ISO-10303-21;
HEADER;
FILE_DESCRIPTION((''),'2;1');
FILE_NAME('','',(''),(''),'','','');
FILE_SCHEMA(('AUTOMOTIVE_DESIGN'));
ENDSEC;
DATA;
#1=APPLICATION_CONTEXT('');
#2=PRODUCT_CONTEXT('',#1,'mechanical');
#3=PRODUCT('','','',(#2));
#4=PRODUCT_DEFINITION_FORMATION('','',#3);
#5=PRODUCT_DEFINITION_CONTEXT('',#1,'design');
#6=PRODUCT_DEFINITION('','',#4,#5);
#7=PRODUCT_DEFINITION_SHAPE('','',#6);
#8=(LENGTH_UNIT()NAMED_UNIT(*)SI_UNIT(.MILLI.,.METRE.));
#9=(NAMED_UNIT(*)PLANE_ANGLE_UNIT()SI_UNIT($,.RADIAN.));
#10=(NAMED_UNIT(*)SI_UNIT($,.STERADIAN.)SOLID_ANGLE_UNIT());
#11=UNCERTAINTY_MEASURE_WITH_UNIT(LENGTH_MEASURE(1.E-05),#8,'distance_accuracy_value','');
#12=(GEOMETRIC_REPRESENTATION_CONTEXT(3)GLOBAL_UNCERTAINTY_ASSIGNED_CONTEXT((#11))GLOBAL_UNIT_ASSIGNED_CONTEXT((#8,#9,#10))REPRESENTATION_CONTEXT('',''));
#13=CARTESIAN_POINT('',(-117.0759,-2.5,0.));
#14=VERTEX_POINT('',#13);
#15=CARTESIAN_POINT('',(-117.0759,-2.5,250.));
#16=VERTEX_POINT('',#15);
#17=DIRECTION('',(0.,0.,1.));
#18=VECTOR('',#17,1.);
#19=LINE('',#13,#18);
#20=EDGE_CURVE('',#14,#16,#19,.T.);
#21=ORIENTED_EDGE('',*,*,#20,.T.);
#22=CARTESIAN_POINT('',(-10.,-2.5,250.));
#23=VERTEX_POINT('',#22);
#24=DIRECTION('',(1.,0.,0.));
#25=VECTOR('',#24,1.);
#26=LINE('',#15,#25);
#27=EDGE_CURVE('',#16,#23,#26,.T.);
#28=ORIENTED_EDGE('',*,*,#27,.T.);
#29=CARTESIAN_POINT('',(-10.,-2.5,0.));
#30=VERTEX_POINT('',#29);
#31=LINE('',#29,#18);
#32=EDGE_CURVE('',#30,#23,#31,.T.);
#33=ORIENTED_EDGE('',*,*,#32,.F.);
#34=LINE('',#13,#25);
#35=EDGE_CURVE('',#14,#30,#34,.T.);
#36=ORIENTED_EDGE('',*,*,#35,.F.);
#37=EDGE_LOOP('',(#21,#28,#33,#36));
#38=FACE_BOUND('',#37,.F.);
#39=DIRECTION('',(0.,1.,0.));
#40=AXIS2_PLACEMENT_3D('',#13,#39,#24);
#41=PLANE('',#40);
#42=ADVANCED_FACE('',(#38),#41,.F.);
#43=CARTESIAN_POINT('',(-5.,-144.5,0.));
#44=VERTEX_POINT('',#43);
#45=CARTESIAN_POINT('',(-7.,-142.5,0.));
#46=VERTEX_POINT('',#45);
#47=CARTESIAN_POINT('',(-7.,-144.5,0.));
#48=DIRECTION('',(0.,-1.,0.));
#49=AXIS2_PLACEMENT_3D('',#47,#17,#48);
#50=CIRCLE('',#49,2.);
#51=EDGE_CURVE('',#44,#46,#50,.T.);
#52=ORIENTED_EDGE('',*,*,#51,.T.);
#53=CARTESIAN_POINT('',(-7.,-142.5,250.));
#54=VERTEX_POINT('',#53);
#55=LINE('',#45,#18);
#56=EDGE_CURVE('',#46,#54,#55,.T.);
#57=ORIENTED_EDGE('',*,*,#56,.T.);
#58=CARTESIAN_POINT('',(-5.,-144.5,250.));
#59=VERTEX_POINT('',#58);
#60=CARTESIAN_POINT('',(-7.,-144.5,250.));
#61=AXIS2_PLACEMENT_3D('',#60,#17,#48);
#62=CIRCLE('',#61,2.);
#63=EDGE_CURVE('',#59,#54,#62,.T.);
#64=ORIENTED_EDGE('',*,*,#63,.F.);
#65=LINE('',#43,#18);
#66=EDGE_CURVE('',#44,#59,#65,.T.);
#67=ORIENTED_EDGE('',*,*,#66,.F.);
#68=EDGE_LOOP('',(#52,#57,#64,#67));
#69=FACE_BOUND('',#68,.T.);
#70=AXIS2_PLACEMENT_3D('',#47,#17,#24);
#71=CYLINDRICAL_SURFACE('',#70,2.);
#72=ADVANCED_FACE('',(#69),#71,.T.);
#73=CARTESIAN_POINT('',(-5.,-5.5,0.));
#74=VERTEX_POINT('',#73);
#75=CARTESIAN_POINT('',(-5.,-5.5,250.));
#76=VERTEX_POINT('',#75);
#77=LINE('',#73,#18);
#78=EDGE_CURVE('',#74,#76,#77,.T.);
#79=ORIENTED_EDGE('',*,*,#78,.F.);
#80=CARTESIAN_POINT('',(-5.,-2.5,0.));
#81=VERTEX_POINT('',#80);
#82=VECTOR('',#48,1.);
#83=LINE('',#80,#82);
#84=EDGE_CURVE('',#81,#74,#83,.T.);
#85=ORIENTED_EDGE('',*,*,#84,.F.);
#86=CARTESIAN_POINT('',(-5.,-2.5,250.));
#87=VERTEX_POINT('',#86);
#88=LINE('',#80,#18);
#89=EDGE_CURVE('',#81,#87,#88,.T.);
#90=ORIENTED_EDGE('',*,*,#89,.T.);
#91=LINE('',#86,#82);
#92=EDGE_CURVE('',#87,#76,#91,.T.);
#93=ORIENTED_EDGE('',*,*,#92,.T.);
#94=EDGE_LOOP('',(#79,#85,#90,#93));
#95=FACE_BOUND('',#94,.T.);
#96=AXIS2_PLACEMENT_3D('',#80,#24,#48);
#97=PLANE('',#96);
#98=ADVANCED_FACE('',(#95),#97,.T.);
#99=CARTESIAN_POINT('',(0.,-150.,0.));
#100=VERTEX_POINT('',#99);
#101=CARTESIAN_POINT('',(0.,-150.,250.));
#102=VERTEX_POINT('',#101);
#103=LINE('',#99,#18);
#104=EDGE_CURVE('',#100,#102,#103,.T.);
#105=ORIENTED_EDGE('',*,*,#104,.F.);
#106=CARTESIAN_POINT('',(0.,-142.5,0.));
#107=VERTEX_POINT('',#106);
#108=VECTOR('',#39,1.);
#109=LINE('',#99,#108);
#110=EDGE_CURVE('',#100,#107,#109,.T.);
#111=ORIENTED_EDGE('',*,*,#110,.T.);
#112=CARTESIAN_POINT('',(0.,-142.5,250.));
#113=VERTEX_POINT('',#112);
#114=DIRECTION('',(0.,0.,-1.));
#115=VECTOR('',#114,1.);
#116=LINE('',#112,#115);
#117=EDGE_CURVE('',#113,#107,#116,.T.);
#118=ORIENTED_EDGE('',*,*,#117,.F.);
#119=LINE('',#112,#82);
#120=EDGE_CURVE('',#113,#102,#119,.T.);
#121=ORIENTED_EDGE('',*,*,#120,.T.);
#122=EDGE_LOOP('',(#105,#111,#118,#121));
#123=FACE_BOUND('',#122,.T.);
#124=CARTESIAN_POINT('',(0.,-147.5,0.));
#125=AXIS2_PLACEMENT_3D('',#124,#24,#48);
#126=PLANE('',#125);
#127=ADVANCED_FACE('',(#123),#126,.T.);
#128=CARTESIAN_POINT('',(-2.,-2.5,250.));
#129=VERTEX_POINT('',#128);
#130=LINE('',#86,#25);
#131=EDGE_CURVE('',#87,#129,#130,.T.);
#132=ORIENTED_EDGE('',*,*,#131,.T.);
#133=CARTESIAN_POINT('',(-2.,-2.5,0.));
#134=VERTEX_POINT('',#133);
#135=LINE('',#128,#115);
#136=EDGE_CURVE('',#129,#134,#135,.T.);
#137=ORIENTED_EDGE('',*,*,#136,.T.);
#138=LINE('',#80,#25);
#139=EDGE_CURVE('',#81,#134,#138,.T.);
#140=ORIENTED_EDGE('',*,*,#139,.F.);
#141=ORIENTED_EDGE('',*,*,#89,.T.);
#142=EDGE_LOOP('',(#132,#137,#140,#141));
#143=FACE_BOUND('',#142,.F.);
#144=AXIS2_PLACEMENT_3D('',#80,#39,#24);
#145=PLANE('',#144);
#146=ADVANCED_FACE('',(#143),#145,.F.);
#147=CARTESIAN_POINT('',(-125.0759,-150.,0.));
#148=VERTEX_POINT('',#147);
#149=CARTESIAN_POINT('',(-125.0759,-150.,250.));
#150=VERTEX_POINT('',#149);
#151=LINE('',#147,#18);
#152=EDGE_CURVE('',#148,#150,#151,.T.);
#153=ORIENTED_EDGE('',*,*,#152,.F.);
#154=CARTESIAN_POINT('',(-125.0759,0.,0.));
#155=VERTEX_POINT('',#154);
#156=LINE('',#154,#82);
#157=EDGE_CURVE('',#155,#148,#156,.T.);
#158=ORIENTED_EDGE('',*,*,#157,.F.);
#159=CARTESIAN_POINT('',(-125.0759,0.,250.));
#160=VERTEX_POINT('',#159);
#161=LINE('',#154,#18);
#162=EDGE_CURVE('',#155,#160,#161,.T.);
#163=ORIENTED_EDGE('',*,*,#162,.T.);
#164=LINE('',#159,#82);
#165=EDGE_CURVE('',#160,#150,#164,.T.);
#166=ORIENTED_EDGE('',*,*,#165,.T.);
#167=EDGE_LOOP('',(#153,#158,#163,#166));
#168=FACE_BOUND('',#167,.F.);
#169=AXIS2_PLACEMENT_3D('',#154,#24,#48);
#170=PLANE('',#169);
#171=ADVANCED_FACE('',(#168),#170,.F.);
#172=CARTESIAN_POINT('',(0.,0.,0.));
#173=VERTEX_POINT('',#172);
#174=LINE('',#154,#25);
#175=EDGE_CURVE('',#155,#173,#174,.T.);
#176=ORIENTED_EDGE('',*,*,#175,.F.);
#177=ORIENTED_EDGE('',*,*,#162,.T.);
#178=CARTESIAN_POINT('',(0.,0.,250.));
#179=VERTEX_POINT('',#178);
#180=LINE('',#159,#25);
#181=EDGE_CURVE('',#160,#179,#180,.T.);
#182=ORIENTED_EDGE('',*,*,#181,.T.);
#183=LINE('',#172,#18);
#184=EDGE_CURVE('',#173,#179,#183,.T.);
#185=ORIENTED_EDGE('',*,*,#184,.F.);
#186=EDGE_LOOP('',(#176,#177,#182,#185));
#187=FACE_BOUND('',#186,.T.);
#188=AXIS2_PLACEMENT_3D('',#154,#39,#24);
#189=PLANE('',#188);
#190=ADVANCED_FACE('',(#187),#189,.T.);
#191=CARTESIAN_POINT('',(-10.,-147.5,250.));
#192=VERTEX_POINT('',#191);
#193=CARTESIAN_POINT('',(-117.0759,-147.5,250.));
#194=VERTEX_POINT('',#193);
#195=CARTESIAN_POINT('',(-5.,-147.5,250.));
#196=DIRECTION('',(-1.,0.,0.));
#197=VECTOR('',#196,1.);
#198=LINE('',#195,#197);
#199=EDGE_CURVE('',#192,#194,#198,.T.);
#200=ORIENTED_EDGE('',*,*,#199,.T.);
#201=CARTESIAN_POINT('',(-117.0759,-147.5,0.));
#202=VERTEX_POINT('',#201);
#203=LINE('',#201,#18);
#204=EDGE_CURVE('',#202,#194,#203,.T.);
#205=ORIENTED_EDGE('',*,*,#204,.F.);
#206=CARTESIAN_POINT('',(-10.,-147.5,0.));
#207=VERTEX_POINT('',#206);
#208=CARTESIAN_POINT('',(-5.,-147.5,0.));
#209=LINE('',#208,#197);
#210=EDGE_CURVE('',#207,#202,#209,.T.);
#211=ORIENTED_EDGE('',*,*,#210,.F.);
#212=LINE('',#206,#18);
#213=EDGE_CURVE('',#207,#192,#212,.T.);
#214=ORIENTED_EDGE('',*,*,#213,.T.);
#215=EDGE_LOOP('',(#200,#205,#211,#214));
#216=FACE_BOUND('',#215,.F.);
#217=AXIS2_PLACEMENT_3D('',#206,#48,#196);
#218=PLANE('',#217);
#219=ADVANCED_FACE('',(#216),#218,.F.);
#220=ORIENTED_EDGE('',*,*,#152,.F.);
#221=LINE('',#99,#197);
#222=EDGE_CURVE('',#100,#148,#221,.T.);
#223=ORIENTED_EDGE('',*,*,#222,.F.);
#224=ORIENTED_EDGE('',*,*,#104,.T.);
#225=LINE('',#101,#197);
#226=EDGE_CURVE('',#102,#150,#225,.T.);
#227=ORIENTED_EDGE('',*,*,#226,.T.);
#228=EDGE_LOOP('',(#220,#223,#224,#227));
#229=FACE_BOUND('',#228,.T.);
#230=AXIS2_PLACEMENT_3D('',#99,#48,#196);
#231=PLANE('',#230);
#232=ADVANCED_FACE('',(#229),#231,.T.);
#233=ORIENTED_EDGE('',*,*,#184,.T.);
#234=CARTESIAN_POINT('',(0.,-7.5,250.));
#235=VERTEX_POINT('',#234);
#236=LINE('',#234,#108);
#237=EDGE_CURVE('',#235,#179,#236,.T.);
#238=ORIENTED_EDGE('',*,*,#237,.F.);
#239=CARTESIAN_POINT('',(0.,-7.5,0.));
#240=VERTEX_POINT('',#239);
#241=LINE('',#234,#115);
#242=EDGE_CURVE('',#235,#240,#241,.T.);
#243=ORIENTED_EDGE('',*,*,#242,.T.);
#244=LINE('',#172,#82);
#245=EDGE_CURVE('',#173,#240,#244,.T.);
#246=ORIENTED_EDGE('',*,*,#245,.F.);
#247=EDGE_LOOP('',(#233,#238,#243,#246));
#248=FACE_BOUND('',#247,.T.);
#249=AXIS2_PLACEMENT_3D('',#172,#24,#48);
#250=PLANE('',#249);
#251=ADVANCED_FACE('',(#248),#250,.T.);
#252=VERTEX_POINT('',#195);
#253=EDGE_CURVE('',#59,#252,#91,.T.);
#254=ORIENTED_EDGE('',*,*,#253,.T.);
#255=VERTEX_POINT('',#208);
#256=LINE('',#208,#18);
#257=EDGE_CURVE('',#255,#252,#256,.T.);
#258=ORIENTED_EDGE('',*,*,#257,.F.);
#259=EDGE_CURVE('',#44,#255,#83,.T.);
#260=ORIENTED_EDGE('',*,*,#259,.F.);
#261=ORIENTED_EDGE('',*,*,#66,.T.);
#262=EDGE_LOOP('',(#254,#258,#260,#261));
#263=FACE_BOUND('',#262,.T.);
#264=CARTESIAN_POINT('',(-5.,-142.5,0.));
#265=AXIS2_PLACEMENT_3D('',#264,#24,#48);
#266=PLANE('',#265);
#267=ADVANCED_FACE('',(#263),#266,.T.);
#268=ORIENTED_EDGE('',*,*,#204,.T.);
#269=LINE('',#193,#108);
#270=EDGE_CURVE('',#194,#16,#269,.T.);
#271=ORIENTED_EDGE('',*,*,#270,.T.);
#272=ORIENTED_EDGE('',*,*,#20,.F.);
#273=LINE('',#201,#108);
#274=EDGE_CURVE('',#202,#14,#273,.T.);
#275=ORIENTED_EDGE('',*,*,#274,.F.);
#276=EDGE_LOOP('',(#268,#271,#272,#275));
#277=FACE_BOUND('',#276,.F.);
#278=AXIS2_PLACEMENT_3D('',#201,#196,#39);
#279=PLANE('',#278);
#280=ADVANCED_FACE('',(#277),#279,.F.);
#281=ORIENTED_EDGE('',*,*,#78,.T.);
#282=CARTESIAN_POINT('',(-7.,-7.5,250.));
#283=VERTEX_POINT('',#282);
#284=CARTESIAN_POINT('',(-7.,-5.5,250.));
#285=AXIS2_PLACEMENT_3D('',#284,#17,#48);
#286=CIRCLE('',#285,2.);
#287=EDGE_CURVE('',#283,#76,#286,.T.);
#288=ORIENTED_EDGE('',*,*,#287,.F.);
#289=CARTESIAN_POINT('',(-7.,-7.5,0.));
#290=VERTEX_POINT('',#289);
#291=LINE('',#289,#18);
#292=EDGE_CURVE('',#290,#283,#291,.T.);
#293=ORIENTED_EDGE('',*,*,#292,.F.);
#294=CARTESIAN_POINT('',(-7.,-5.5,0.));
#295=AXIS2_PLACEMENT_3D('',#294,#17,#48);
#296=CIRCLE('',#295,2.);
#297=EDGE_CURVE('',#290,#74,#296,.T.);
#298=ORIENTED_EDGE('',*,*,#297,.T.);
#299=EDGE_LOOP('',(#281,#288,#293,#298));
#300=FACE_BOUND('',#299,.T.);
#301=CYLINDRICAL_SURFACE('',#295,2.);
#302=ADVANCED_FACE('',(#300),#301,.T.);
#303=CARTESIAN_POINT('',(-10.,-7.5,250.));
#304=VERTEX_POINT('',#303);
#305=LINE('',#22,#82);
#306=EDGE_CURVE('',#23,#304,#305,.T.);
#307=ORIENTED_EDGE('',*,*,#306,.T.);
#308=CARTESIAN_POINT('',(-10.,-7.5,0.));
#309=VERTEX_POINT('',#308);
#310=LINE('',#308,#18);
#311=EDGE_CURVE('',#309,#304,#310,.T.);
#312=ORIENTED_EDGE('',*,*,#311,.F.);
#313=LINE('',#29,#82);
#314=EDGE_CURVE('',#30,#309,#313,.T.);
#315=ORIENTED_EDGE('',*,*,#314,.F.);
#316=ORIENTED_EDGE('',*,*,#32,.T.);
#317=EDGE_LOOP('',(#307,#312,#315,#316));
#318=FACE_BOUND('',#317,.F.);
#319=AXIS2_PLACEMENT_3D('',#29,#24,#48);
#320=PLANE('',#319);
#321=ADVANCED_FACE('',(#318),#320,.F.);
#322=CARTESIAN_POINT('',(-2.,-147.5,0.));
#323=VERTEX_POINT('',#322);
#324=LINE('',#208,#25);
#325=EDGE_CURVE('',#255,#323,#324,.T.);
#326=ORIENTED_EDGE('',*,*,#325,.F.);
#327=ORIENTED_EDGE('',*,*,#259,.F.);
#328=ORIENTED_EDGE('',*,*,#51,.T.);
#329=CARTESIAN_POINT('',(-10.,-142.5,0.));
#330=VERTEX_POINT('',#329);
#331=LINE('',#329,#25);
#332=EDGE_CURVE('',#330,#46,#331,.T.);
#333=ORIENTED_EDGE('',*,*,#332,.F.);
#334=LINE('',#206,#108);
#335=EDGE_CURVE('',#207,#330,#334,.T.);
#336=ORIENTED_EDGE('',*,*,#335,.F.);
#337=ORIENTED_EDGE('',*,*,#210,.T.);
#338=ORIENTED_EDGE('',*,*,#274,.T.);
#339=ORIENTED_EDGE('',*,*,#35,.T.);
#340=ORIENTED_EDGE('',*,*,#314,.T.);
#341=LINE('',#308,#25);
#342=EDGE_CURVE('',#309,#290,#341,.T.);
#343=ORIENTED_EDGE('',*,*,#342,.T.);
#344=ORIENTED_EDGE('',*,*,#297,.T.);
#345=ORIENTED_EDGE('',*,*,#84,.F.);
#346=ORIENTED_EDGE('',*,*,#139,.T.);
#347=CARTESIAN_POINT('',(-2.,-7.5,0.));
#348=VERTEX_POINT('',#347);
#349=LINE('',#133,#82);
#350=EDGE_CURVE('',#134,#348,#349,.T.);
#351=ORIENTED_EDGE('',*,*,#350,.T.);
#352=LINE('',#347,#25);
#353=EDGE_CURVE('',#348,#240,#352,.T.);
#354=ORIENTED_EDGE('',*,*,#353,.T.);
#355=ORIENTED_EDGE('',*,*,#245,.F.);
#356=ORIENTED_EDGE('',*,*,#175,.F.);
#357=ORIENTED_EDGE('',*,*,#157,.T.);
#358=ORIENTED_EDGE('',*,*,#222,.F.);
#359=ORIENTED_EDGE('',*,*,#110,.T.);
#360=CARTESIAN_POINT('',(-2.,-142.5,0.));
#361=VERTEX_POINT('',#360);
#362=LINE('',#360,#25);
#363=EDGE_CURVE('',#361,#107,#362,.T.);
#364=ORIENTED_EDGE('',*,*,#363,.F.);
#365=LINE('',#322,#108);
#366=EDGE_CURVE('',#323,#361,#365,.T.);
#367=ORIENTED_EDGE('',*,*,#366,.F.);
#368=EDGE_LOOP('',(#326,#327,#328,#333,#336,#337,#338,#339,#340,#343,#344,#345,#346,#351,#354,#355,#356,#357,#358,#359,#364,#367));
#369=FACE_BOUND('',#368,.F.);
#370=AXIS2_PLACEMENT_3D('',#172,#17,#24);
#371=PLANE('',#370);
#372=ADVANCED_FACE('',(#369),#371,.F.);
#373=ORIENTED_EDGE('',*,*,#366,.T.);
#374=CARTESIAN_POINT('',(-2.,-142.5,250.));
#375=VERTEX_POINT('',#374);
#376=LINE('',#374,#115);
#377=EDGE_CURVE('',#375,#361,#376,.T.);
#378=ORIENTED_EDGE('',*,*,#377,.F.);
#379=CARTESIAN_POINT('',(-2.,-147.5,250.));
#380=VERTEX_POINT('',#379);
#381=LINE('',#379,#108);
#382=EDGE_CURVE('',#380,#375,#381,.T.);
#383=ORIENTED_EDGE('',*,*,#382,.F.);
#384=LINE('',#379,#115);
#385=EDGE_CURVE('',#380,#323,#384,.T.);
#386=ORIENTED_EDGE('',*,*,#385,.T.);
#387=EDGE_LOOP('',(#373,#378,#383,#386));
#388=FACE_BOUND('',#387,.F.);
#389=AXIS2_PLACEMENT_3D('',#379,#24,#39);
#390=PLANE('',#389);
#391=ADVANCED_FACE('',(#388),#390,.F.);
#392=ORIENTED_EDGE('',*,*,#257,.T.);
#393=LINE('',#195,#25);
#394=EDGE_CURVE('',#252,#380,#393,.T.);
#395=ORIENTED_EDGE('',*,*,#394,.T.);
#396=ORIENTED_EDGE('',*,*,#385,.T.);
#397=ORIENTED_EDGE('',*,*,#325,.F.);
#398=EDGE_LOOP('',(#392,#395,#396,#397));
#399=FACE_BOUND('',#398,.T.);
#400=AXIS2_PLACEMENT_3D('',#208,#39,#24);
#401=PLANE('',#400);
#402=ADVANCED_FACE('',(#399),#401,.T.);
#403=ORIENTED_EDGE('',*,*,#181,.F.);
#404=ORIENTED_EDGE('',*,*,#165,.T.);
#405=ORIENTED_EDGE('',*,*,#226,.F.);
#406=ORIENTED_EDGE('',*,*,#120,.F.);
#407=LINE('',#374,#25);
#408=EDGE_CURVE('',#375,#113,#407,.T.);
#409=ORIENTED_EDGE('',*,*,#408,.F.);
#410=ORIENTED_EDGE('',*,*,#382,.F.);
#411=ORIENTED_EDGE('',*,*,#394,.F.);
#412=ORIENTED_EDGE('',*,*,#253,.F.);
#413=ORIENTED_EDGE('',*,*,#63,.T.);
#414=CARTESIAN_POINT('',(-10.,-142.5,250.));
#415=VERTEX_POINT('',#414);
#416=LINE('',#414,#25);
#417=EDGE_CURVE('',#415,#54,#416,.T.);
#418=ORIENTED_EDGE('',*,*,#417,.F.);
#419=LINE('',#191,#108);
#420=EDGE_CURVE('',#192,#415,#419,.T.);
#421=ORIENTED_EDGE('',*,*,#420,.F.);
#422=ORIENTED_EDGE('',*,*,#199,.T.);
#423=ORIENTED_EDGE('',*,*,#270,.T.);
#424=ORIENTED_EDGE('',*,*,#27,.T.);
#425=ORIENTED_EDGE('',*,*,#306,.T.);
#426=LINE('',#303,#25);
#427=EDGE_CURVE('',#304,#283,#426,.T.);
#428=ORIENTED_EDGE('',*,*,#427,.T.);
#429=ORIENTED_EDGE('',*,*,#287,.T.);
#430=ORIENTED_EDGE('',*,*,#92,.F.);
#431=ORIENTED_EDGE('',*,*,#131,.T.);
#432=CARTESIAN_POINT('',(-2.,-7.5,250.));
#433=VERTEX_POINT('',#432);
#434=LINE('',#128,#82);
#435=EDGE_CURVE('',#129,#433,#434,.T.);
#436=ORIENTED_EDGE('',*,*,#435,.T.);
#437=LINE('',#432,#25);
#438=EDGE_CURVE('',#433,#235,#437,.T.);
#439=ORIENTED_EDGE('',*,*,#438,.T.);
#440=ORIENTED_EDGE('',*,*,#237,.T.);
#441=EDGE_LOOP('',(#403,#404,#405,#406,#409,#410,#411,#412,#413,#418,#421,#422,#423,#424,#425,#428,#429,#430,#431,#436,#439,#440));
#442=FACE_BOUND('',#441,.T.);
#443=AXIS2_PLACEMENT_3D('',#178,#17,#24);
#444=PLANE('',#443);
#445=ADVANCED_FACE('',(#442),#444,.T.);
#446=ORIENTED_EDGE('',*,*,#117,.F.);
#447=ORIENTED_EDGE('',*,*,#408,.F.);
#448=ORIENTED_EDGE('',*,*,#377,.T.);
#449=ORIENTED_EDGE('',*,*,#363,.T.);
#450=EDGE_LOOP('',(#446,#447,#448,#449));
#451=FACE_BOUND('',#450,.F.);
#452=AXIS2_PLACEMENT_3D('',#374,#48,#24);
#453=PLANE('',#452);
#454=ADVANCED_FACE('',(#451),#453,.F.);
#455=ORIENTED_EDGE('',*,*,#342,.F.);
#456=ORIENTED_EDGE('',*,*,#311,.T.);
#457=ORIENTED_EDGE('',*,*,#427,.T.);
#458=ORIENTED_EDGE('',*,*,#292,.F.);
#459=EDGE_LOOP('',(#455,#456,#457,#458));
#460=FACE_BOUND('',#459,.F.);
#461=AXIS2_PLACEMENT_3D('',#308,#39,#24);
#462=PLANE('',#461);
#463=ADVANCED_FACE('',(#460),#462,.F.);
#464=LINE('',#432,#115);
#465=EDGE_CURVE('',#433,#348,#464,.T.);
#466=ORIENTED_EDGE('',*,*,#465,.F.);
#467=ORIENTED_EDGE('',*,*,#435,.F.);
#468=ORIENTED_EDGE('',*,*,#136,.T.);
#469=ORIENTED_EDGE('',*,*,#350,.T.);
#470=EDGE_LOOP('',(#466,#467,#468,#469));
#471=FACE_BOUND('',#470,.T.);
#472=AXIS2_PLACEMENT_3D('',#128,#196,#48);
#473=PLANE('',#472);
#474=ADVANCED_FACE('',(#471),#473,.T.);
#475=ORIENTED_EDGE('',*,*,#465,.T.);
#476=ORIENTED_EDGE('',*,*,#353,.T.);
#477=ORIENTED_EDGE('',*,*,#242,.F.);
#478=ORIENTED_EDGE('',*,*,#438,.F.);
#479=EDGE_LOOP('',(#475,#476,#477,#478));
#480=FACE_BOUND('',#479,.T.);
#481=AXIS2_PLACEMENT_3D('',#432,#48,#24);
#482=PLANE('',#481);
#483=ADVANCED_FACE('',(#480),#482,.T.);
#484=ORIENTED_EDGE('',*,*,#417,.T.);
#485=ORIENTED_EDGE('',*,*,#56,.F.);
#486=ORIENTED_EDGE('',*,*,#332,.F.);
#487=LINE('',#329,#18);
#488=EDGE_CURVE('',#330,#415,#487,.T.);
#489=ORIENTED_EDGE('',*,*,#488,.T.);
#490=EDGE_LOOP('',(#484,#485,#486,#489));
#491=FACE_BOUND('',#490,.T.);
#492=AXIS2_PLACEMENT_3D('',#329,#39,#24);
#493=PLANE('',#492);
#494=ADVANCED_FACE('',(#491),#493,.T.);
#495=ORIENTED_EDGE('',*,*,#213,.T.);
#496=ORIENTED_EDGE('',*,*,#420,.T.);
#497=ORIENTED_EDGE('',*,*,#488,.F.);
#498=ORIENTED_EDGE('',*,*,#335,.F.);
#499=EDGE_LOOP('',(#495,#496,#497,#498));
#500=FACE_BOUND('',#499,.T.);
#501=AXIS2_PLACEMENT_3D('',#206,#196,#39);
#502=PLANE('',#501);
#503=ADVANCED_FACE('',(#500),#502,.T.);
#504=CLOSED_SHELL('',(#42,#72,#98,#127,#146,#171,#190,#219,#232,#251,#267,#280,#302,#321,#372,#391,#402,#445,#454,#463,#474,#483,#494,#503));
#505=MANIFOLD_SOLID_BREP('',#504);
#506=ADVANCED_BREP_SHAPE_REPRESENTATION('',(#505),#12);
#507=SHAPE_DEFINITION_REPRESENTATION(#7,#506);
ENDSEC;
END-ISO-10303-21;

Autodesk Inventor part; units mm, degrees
ref_plane "YZ Plane" through (0, 0, 0) normal (1, 0, 0) x (0, 1, 0)
ref_plane "Work Plane1" through (0, 0, 0) normal (0, 0, 1) x (1, 0, 0)
sketch "Sketch1" plane through (0, 0, 0) normal (0, 0, 1) x (1, 0, 0)
  line L0 (0, -150) -> (-125.0759, -150) projected
  line L1 (0, 0) -> (0, -150) projected
  line L2 (-125.0759, 0) -> (0, 0) projected
  line L3 (-125.0759, 0) -> (-125.0759, -150) projected
  line L4 (-5, -147.5) -> (-117.0759, -147.5) projected
  line L5 (-117.0759, -147.5) -> (-117.0759, -2.5) projected
  line L6 (-117.0759, -2.5) -> (-5, -2.5) projected
  line L7 (-5, -2.5) -> (-5, -147.5) projected
  line L8 (0, -150) -> (-125.0759, -150) projected
  line L9 (0, 0) -> (0, -150) projected
  line L10 (-125.0759, 0) -> (0, 0) projected
  line L11 (-125.0759, 0) -> (-125.0759, -150) projected
  line L12 (-5, -147.5) -> (-117.0759, -147.5) projected
  line L13 (-117.0759, -147.5) -> (-117.0759, -2.5) projected
  line L14 (-117.0759, -2.5) -> (-5, -2.5) projected
  line L15 (-5, -2.5) -> (-5, -147.5) projected
  line L16 (-5, -2.5) -> (0, -2.5)
  line L17 (-5, -147.5) -> (0, -147.5)
  line L18 (-5, -2.5) -> (-10, -2.5)
  line L19 (-10, -2.5) -> (-10, -7.5)
  line L20 (-10, -7.5) -> (-5, -7.5)
  line L21 (-5, -7.5) -> (-5, -2.5)
  line L22 (-5, -147.5) -> (-10, -147.5)
  line L23 (-10, -147.5) -> (-10, -142.5)
  line L24 (-10, -142.5) -> (-5, -142.5)
  line L25 (-5, -142.5) -> (-5, -147.5)
  dimension "d2" = 5
  dimension "d3" = 5
  dimension "d4" = 5
  dimension "d5" = 5
extrude "Extrusion1" add sketch "Sketch1" along normal blind 250 contours L0 L3 L2 L1 L16 L6 L5 L4 L17 | L4 L23 L24 L7 | L7 L20 L19 L6
sketch "Sketch2" plane through (0, 0, 250) normal (0, 0, 1) x (1, 0, 0)
  line L0 (-5, -2.5) -> (-2, -2.5)
  line L1 (-2, -2.5) -> (-2, -7.5)
  line L2 (0, -2.5) -> (-2, -2.5)
  line L3 (-2, -2.5) -> (-2, -7.5)
  line L4 (-2, -7.5) -> (0, -7.5)
  line L5 (0, -7.5) -> (0, -2.5)
  line L6 (-117.0759, -147.5) -> (-117.0759, -2.5) projected
  line L7 (-117.0759, -75) -> (40.0034, -75) construction
  line L8 (-5, -147.5) -> (-2, -147.5)
  line L9 (-2, -147.5) -> (-2, -142.5)
  line L10 (0, -147.5) -> (-2, -147.5)
  line L11 (-2, -147.5) -> (-2, -142.5)
  line L12 (-2, -142.5) -> (0, -142.5)
  line L13 (0, -142.5) -> (0, -147.5)
  point P0 (0, 0)
ref_plane "Work Plane2" through (-125.0759, -150, 0) normal (0, 0, 1) x (1, 0, 0)
extrude "Extrusion2" add sketch "Sketch2" against normal up to surface (250 mm away)
fillet "Fillet1" radius 2 2 edges at (-5, -142.5, 125) (-5, -7.5, 125)
sketch "Sketch3" plane through (0, 0, 250) normal (0, 0, 1) x (1, 0, 0)
  line L0 (0, -7.5) -> (0, 0) projected
  line L1 (0, -7.5) -> (-2, -7.5)
  line L2 (-5, -7.5) -> (-5, -142.5)
  line L3 (-2, -142.5) -> (0, -142.5)
  line L4 (0, -142.5) -> (0, -7.5)
  line L5 (-2, -147.5) -> (-2, -142.5) projected
  line L6 (-2, -147.5) -> (-5, -147.5)
  line L7 (-5, -147.5) -> (-5, -142.5)
  line L8 (-2, -142.5) -> (-2, -147.5)
  line L9 (-5, -2.5) -> (-2, -2.5) projected
  line L10 (-2, -2.5) -> (-5, -2.5)
  line L11 (-5, -2.5) -> (-5, -7.5)
  line L12 (-2, -7.5) -> (-2, -2.5)
  line L13 (-2, -2.5) -> (-2, -7.5) projected
  line L14 (-2, -2.7) -> (-5, -2.7)
  line L15 (-2, -147.3) -> (-5, -147.3)
  dimension "d10" = 0.2
  dimension "d11" = 0.2
ref_plane "Work Plane3" through (-125.0759, -150, 0) normal (0, 0, 1) x (1, 0, 0)
properties part number "ForwardSection1" material "Plastic, Opaque White"
